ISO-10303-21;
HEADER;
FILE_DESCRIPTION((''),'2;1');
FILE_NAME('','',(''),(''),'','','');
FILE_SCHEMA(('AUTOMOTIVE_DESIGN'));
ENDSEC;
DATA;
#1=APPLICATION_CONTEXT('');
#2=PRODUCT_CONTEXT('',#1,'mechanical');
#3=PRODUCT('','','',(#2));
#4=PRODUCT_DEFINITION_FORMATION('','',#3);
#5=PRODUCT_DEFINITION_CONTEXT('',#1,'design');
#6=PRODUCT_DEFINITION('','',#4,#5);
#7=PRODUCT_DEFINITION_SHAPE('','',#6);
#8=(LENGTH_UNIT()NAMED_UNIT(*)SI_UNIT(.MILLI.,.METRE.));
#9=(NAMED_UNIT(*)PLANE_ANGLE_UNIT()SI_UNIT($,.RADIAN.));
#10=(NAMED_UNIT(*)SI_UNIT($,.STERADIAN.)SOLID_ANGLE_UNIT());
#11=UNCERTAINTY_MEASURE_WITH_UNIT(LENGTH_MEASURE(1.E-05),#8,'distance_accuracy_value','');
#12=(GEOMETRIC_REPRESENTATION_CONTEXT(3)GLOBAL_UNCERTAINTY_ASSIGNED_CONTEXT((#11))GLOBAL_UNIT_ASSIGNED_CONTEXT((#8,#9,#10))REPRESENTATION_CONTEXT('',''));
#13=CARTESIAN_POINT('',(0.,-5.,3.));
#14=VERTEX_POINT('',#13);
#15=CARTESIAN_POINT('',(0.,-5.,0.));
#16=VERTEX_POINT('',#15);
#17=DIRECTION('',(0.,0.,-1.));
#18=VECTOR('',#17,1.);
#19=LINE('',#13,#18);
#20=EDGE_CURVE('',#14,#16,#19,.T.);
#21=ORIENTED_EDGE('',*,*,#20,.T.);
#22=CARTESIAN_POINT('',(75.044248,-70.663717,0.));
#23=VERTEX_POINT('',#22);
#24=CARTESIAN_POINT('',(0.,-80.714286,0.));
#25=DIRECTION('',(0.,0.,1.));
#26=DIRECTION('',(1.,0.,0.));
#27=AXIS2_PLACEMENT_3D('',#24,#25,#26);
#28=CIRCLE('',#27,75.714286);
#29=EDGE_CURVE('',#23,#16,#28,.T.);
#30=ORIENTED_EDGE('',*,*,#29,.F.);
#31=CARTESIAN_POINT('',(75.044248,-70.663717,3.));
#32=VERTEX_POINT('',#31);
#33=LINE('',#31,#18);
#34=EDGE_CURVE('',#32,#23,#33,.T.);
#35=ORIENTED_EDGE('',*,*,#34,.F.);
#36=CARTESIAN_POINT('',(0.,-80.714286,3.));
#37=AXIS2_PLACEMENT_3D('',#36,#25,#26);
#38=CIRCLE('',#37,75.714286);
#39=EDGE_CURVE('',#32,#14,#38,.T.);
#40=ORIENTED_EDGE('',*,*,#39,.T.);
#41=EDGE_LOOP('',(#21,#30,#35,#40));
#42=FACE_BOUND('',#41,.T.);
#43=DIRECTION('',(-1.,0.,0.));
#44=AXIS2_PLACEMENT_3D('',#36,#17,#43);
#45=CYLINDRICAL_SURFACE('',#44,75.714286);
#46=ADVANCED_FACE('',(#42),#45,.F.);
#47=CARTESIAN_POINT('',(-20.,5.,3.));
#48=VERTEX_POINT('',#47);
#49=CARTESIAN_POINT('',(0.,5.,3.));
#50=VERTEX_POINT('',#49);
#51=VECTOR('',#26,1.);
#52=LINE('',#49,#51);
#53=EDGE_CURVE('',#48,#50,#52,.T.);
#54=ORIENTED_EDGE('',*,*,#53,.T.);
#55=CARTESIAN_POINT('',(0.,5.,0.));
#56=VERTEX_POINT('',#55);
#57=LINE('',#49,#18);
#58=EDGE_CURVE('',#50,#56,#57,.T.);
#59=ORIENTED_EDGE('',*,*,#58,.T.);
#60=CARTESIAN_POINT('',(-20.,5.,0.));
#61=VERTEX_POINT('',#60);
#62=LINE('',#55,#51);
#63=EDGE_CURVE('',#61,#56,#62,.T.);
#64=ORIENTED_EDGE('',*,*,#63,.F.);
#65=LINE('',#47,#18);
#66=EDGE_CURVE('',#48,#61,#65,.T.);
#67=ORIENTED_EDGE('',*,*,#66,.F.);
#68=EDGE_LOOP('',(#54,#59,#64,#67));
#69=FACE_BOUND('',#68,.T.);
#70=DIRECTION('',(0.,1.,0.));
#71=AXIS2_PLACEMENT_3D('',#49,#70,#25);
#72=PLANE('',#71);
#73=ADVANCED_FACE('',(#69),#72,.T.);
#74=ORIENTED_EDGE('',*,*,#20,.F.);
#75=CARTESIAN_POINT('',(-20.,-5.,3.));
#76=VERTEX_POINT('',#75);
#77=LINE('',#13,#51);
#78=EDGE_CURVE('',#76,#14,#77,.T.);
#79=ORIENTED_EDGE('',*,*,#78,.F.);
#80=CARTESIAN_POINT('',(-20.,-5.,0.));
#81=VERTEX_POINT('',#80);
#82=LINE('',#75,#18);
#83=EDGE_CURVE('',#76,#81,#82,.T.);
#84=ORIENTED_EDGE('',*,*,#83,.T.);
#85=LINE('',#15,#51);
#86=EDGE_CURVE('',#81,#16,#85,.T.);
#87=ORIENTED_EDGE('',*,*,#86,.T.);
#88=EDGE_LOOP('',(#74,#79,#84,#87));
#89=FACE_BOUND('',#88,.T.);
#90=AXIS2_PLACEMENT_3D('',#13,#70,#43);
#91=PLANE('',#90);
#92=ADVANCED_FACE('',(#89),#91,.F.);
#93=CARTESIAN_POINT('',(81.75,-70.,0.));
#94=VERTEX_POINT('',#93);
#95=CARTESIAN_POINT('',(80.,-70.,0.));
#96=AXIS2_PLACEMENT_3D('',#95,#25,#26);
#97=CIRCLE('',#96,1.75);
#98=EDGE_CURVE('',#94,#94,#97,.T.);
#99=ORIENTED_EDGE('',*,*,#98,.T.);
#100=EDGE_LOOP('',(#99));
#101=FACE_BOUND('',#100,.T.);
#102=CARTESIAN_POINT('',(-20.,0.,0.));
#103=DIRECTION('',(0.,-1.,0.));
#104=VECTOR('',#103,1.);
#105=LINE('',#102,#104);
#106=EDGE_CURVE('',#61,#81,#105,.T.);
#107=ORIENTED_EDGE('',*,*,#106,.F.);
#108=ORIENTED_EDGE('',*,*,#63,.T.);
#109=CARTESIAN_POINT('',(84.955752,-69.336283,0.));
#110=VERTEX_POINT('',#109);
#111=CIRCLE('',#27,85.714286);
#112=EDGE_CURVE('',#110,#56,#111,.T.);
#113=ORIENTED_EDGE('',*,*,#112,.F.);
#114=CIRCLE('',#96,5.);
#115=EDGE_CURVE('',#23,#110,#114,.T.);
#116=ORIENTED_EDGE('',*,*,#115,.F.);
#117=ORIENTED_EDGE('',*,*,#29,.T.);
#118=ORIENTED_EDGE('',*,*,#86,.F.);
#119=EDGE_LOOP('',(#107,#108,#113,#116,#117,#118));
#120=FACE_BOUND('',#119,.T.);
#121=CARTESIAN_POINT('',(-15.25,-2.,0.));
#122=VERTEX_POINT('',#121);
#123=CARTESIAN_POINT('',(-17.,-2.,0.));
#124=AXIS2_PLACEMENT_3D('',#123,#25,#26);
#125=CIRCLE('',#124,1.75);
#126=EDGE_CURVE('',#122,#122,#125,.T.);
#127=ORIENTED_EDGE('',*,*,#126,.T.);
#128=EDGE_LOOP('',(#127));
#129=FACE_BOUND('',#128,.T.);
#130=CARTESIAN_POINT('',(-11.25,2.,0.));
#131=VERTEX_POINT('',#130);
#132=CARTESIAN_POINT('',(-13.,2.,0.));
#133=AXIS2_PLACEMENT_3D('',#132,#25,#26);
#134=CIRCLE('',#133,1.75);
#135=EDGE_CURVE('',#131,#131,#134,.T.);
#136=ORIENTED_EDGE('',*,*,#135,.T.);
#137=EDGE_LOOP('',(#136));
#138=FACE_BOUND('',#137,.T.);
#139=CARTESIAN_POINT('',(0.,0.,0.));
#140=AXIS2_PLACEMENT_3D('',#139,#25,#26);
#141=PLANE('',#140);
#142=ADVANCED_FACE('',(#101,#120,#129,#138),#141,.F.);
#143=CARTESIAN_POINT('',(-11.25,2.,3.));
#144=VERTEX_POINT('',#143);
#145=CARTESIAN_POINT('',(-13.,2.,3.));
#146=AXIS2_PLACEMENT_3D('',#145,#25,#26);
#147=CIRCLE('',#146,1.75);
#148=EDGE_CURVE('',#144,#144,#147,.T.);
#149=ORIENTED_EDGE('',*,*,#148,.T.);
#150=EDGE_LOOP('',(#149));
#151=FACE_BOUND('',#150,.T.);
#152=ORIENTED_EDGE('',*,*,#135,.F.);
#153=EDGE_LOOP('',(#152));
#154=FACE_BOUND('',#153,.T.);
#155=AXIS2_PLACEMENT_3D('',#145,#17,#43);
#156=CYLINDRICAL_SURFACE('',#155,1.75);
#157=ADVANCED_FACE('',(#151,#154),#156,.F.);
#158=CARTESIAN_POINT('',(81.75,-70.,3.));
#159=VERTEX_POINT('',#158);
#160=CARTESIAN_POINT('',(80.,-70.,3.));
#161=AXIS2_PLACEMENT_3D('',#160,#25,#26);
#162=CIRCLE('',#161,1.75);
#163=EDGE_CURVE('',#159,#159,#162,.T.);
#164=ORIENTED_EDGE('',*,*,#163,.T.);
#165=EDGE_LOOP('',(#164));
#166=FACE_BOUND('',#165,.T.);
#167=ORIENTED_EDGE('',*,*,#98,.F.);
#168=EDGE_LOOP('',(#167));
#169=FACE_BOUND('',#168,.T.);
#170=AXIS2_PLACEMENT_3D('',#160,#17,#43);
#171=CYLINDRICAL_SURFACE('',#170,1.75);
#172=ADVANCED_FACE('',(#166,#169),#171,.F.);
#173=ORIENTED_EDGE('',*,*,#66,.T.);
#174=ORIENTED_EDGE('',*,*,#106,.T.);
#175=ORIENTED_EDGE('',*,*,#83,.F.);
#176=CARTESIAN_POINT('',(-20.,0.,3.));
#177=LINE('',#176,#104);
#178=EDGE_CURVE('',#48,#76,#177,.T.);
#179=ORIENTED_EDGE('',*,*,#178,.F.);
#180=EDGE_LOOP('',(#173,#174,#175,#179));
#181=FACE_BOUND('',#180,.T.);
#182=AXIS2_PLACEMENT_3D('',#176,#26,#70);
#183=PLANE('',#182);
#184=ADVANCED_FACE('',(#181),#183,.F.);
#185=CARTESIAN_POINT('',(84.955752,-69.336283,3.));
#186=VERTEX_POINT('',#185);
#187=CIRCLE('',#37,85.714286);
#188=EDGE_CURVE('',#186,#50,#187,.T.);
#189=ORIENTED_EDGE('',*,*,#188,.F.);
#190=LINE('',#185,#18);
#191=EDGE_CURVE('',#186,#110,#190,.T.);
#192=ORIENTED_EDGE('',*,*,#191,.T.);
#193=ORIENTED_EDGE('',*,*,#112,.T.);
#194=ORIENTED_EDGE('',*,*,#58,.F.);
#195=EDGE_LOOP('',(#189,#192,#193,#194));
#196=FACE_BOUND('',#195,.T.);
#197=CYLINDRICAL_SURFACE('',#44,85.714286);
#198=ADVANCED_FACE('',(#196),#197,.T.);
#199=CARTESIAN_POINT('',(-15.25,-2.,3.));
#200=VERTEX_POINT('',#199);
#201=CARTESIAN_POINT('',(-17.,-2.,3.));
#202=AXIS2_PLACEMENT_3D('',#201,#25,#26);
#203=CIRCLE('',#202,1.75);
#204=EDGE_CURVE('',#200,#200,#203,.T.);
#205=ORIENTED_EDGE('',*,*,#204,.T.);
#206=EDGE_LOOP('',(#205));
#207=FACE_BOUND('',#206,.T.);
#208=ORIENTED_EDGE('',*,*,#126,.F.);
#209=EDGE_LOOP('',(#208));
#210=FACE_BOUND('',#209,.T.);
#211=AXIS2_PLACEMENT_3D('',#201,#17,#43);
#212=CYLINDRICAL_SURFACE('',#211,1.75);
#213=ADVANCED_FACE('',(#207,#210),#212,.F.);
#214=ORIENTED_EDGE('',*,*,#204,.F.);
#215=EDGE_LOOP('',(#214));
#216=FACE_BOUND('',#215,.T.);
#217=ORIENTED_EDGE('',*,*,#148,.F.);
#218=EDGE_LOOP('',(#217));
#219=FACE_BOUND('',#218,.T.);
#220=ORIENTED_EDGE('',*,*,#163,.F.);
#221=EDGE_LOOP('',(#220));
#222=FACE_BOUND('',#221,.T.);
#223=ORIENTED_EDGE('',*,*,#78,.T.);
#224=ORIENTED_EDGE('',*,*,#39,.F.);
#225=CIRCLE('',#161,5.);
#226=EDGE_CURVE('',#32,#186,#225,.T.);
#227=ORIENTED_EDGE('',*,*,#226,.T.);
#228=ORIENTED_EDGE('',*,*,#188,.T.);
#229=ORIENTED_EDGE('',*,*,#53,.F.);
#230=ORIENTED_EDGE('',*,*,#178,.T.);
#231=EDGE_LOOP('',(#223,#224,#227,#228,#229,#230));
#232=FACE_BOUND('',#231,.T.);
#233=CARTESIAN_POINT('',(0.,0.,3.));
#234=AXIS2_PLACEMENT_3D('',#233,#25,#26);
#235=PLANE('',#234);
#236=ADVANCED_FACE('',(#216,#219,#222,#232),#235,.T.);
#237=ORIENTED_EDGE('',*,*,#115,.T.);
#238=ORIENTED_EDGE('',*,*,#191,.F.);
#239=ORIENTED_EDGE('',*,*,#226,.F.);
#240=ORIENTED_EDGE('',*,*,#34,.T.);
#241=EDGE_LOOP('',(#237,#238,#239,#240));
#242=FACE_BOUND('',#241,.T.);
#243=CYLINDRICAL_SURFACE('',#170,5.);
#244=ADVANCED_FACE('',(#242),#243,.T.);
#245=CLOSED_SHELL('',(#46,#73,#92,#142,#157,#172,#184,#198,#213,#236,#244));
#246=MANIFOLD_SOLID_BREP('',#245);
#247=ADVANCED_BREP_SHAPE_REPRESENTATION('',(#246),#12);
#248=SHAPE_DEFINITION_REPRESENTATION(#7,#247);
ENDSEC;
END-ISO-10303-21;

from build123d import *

# Parameters (mm, degrees)
ESBO_O1_R                = 1.75
RESSALTO_EXTRUS_O1_DEPTH = 3


with BuildPart() as part:
    # Esboço1 → Ressalto-extrusão1 (new body)
    # profile 1 of 3: a face of its own
    with BuildSketch(Plane.XY):
        with BuildLine():
            ThreePointArc((0, 5), (-5, 0), (0, -5))
            Line((0, -5), (-20, -5))
            Line((-20, -5), (-20, 5))
            Line((-20, 5), (0, 5))
        make_face()
        with Locations((-17, -2)):
            Circle(ESBO_O1_R, mode=Mode.SUBTRACT)
        with Locations((-13, 2)):
            Circle(ESBO_O1_R, mode=Mode.SUBTRACT)
    # profile 2 of 3: a face of its own
    with BuildSketch(Plane.XY):
        with BuildLine():
            ThreePointArc((75.044247788, -70.663716814), (49.858206024, -23.733478829), (0, -5))
            Line((0, -5), (0, 5))
            ThreePointArc((0, 5), (56.443252103, -16.207711882), (84.955752212, -69.336283186))
            ThreePointArc((84.955752212, -69.336283186), (80.663716814, -74.955752212), (75.044247788, -70.663716814))
        make_face()
        with Locations((80, -70)):
            Circle(ESBO_O1_R, mode=Mode.SUBTRACT)
    # profile 3 of 3: a face of its own
    with BuildSketch(Plane.XY):
        with BuildLine():
            Line((0, 5), (0, -5))
            ThreePointArc((0, -5), (-5, 0), (0, 5))
        make_face()
    extrude(amount=RESSALTO_EXTRUS_O1_DEPTH)


solid = part.part
